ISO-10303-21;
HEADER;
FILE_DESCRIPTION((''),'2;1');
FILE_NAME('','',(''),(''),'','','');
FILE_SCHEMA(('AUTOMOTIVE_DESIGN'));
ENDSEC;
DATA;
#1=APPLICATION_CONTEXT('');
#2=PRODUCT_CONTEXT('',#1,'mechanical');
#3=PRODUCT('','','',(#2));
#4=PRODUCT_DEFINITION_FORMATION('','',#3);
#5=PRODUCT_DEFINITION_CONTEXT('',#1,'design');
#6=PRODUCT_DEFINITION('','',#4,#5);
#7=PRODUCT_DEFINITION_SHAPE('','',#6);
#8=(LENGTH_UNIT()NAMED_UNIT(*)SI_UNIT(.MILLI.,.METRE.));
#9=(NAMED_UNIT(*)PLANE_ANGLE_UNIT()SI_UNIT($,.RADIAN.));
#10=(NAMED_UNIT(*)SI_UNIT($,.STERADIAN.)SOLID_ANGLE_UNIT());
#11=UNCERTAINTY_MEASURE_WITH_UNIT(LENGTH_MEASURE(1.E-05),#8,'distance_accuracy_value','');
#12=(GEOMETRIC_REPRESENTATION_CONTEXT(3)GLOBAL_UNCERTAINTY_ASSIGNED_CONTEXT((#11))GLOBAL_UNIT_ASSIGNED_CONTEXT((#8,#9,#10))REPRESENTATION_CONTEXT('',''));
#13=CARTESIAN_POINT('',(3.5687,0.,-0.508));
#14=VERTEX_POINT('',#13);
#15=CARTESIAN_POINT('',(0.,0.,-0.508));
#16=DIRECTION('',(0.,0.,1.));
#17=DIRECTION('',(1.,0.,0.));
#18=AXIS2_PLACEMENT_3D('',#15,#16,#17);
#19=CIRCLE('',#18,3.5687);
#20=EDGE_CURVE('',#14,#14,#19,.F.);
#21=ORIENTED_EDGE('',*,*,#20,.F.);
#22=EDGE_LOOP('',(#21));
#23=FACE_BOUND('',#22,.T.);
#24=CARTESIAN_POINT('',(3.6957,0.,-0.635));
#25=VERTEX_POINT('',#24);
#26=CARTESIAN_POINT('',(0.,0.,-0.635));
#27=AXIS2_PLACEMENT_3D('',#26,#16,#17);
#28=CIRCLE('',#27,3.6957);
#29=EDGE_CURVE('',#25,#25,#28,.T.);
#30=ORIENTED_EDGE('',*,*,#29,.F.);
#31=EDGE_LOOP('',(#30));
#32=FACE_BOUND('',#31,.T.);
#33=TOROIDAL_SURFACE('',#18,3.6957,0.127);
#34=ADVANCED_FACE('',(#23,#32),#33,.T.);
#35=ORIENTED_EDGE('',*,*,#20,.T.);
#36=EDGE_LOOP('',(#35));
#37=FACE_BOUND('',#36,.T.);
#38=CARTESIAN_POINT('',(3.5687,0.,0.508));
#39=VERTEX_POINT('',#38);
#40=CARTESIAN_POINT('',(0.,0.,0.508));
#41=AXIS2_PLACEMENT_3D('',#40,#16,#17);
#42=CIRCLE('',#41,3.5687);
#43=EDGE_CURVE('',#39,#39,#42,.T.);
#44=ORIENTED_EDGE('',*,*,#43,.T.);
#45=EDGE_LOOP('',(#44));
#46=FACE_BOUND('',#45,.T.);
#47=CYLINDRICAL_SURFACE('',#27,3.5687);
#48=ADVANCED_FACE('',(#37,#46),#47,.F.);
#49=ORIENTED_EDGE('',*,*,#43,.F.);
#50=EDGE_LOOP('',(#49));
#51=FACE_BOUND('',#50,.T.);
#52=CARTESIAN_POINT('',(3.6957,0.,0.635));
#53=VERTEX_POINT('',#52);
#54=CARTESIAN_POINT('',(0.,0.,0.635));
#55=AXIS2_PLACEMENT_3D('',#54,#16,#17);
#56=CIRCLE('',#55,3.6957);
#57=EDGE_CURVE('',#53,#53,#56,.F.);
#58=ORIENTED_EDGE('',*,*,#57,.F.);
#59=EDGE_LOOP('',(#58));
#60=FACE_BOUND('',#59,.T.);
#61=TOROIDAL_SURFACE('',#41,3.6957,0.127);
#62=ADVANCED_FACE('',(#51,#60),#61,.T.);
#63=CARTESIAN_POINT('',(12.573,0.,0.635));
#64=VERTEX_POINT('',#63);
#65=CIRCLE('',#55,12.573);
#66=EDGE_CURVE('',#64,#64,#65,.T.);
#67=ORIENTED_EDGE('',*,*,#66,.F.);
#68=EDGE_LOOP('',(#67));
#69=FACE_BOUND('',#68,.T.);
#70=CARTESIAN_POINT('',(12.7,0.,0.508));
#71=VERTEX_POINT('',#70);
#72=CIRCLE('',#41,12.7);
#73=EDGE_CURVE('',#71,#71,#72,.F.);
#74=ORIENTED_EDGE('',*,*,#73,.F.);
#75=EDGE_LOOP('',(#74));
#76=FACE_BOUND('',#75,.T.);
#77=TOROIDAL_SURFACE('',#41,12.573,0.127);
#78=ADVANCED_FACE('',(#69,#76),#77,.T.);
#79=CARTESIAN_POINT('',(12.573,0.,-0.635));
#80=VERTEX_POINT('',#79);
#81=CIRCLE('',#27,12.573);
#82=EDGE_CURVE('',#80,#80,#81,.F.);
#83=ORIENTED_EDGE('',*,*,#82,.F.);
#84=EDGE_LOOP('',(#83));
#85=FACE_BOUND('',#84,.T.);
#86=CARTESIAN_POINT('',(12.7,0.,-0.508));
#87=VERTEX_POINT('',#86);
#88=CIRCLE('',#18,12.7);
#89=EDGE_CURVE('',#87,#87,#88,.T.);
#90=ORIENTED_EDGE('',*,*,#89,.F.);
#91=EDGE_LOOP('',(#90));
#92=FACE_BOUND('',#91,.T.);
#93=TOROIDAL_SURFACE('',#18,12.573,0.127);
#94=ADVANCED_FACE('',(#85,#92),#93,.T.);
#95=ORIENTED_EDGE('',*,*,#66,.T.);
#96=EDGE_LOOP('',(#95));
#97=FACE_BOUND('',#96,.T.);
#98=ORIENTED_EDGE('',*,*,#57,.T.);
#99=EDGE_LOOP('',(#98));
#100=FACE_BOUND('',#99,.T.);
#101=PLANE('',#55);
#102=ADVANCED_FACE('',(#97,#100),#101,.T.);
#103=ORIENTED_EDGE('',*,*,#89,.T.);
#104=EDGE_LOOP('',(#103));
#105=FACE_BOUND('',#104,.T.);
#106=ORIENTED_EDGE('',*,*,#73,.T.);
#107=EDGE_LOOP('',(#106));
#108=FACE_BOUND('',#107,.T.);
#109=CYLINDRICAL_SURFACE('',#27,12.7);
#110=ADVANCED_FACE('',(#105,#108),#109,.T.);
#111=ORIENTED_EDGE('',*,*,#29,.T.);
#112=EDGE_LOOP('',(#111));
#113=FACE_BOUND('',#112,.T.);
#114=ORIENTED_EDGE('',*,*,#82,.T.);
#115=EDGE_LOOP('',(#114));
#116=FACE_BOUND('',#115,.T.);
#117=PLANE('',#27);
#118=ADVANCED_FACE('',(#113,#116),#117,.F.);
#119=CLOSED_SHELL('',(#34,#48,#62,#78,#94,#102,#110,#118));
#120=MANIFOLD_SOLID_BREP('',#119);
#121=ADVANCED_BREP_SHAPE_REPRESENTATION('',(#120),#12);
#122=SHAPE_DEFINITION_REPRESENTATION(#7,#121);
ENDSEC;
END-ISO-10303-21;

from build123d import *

# Parameters (mm, degrees)
BOSS_EXTRUDE1_START = 0.635
SKETCH3_R           = 12.7
SKETCH3_R_2         = 3.5687
BOSS_EXTRUDE1_DEPTH = 1.27
FILLET1_R           = 0.127


with BuildPart() as part:
    # Sketch3 → Boss-Extrude1 (new body)
    with BuildSketch(Plane.XY.offset(BOSS_EXTRUDE1_START)):
        Circle(SKETCH3_R)
        Circle(SKETCH3_R_2, mode=Mode.SUBTRACT)
    extrude(amount=-BOSS_EXTRUDE1_DEPTH)

    # Fillet1
    fillet1_edges = [part.edges().sort_by_distance(p)[0] for p in [
        (-12.7, 0, 0.635),
        (-12.7, 0, -0.635),
        (-3.5687, 0, -0.635),
        (-3.5687, 0, 0.635),
    ]]
    fillet(fillet1_edges, radius=FILLET1_R)


solid = part.part
